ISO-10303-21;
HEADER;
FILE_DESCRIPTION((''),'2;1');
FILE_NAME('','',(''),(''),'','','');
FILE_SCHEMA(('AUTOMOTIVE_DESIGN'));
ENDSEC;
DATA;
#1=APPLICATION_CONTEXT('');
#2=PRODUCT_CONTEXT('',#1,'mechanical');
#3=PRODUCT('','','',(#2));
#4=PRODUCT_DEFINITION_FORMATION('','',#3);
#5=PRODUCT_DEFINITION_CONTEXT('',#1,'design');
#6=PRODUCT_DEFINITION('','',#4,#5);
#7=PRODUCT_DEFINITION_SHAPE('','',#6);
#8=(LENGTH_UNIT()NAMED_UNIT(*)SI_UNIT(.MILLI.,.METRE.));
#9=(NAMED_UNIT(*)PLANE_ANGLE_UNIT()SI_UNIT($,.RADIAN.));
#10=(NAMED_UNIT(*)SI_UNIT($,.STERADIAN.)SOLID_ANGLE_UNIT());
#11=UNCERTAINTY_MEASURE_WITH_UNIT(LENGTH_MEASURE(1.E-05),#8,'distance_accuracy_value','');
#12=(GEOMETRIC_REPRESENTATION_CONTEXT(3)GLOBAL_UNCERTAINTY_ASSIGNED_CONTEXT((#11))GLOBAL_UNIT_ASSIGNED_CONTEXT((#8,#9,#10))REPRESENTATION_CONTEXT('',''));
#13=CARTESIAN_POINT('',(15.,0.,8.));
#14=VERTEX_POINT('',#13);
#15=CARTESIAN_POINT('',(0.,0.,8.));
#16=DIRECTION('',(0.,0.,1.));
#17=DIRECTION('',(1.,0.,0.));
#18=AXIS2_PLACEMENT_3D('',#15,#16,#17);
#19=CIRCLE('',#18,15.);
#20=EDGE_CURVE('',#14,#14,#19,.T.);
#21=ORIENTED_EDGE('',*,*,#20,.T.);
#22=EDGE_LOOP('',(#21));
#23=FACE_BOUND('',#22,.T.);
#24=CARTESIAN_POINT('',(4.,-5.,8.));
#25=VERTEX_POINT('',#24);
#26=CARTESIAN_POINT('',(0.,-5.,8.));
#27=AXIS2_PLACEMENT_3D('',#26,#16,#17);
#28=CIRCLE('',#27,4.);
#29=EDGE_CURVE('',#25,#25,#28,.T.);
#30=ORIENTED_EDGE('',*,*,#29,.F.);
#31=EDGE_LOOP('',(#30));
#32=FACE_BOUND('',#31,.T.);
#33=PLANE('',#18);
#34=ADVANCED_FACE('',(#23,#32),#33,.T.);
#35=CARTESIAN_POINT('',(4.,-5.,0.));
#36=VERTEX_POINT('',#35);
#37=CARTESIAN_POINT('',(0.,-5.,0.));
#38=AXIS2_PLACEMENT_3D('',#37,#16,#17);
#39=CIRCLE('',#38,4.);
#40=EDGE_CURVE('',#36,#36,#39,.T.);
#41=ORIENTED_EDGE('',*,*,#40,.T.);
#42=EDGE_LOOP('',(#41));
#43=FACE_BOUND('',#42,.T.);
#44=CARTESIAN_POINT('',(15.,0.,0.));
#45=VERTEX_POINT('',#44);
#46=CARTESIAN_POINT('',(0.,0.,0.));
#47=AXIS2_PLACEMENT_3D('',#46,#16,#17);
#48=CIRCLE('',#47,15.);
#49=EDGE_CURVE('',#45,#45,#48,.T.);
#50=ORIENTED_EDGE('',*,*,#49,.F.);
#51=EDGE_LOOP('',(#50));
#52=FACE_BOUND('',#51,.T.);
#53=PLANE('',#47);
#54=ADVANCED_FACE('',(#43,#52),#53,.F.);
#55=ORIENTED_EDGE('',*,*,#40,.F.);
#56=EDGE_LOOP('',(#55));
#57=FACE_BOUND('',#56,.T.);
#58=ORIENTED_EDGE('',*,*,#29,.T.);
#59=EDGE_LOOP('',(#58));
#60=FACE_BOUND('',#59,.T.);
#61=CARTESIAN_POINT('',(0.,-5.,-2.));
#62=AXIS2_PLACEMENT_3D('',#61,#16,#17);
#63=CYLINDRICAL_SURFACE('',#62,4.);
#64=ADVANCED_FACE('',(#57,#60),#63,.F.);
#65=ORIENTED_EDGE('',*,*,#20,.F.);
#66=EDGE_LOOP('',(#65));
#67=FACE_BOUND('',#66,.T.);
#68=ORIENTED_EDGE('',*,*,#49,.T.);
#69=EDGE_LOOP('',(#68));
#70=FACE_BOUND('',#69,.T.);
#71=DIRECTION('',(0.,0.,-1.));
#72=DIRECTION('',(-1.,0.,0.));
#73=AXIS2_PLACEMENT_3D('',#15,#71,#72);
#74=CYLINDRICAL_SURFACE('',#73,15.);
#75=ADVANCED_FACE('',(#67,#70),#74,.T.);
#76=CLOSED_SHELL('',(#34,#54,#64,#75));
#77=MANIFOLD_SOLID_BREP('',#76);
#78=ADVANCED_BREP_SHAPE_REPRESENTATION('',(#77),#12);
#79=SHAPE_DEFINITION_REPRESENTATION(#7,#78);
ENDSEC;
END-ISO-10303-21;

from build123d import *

# Parameters (mm, degrees)
SKETCH1_R           = 15
BOSS_EXTRUDE1_DEPTH = 8
SKETCH2_R           = 4
CUT_EXTRUDE1_DEPTH  = 10


with BuildPart() as part:
    # Sketch1 → Boss-Extrude1 (new body)
    with BuildSketch(Plane.XY):
        Circle(SKETCH1_R)
    extrude(amount=BOSS_EXTRUDE1_DEPTH)

    # Sketch2 → Cut-Extrude1 (cut)
    with BuildSketch(Plane.XY.offset(8)):
        with Locations((0, -5)):
            Circle(SKETCH2_R)
    extrude(amount=-CUT_EXTRUDE1_DEPTH, mode=Mode.SUBTRACT)


solid = part.part
